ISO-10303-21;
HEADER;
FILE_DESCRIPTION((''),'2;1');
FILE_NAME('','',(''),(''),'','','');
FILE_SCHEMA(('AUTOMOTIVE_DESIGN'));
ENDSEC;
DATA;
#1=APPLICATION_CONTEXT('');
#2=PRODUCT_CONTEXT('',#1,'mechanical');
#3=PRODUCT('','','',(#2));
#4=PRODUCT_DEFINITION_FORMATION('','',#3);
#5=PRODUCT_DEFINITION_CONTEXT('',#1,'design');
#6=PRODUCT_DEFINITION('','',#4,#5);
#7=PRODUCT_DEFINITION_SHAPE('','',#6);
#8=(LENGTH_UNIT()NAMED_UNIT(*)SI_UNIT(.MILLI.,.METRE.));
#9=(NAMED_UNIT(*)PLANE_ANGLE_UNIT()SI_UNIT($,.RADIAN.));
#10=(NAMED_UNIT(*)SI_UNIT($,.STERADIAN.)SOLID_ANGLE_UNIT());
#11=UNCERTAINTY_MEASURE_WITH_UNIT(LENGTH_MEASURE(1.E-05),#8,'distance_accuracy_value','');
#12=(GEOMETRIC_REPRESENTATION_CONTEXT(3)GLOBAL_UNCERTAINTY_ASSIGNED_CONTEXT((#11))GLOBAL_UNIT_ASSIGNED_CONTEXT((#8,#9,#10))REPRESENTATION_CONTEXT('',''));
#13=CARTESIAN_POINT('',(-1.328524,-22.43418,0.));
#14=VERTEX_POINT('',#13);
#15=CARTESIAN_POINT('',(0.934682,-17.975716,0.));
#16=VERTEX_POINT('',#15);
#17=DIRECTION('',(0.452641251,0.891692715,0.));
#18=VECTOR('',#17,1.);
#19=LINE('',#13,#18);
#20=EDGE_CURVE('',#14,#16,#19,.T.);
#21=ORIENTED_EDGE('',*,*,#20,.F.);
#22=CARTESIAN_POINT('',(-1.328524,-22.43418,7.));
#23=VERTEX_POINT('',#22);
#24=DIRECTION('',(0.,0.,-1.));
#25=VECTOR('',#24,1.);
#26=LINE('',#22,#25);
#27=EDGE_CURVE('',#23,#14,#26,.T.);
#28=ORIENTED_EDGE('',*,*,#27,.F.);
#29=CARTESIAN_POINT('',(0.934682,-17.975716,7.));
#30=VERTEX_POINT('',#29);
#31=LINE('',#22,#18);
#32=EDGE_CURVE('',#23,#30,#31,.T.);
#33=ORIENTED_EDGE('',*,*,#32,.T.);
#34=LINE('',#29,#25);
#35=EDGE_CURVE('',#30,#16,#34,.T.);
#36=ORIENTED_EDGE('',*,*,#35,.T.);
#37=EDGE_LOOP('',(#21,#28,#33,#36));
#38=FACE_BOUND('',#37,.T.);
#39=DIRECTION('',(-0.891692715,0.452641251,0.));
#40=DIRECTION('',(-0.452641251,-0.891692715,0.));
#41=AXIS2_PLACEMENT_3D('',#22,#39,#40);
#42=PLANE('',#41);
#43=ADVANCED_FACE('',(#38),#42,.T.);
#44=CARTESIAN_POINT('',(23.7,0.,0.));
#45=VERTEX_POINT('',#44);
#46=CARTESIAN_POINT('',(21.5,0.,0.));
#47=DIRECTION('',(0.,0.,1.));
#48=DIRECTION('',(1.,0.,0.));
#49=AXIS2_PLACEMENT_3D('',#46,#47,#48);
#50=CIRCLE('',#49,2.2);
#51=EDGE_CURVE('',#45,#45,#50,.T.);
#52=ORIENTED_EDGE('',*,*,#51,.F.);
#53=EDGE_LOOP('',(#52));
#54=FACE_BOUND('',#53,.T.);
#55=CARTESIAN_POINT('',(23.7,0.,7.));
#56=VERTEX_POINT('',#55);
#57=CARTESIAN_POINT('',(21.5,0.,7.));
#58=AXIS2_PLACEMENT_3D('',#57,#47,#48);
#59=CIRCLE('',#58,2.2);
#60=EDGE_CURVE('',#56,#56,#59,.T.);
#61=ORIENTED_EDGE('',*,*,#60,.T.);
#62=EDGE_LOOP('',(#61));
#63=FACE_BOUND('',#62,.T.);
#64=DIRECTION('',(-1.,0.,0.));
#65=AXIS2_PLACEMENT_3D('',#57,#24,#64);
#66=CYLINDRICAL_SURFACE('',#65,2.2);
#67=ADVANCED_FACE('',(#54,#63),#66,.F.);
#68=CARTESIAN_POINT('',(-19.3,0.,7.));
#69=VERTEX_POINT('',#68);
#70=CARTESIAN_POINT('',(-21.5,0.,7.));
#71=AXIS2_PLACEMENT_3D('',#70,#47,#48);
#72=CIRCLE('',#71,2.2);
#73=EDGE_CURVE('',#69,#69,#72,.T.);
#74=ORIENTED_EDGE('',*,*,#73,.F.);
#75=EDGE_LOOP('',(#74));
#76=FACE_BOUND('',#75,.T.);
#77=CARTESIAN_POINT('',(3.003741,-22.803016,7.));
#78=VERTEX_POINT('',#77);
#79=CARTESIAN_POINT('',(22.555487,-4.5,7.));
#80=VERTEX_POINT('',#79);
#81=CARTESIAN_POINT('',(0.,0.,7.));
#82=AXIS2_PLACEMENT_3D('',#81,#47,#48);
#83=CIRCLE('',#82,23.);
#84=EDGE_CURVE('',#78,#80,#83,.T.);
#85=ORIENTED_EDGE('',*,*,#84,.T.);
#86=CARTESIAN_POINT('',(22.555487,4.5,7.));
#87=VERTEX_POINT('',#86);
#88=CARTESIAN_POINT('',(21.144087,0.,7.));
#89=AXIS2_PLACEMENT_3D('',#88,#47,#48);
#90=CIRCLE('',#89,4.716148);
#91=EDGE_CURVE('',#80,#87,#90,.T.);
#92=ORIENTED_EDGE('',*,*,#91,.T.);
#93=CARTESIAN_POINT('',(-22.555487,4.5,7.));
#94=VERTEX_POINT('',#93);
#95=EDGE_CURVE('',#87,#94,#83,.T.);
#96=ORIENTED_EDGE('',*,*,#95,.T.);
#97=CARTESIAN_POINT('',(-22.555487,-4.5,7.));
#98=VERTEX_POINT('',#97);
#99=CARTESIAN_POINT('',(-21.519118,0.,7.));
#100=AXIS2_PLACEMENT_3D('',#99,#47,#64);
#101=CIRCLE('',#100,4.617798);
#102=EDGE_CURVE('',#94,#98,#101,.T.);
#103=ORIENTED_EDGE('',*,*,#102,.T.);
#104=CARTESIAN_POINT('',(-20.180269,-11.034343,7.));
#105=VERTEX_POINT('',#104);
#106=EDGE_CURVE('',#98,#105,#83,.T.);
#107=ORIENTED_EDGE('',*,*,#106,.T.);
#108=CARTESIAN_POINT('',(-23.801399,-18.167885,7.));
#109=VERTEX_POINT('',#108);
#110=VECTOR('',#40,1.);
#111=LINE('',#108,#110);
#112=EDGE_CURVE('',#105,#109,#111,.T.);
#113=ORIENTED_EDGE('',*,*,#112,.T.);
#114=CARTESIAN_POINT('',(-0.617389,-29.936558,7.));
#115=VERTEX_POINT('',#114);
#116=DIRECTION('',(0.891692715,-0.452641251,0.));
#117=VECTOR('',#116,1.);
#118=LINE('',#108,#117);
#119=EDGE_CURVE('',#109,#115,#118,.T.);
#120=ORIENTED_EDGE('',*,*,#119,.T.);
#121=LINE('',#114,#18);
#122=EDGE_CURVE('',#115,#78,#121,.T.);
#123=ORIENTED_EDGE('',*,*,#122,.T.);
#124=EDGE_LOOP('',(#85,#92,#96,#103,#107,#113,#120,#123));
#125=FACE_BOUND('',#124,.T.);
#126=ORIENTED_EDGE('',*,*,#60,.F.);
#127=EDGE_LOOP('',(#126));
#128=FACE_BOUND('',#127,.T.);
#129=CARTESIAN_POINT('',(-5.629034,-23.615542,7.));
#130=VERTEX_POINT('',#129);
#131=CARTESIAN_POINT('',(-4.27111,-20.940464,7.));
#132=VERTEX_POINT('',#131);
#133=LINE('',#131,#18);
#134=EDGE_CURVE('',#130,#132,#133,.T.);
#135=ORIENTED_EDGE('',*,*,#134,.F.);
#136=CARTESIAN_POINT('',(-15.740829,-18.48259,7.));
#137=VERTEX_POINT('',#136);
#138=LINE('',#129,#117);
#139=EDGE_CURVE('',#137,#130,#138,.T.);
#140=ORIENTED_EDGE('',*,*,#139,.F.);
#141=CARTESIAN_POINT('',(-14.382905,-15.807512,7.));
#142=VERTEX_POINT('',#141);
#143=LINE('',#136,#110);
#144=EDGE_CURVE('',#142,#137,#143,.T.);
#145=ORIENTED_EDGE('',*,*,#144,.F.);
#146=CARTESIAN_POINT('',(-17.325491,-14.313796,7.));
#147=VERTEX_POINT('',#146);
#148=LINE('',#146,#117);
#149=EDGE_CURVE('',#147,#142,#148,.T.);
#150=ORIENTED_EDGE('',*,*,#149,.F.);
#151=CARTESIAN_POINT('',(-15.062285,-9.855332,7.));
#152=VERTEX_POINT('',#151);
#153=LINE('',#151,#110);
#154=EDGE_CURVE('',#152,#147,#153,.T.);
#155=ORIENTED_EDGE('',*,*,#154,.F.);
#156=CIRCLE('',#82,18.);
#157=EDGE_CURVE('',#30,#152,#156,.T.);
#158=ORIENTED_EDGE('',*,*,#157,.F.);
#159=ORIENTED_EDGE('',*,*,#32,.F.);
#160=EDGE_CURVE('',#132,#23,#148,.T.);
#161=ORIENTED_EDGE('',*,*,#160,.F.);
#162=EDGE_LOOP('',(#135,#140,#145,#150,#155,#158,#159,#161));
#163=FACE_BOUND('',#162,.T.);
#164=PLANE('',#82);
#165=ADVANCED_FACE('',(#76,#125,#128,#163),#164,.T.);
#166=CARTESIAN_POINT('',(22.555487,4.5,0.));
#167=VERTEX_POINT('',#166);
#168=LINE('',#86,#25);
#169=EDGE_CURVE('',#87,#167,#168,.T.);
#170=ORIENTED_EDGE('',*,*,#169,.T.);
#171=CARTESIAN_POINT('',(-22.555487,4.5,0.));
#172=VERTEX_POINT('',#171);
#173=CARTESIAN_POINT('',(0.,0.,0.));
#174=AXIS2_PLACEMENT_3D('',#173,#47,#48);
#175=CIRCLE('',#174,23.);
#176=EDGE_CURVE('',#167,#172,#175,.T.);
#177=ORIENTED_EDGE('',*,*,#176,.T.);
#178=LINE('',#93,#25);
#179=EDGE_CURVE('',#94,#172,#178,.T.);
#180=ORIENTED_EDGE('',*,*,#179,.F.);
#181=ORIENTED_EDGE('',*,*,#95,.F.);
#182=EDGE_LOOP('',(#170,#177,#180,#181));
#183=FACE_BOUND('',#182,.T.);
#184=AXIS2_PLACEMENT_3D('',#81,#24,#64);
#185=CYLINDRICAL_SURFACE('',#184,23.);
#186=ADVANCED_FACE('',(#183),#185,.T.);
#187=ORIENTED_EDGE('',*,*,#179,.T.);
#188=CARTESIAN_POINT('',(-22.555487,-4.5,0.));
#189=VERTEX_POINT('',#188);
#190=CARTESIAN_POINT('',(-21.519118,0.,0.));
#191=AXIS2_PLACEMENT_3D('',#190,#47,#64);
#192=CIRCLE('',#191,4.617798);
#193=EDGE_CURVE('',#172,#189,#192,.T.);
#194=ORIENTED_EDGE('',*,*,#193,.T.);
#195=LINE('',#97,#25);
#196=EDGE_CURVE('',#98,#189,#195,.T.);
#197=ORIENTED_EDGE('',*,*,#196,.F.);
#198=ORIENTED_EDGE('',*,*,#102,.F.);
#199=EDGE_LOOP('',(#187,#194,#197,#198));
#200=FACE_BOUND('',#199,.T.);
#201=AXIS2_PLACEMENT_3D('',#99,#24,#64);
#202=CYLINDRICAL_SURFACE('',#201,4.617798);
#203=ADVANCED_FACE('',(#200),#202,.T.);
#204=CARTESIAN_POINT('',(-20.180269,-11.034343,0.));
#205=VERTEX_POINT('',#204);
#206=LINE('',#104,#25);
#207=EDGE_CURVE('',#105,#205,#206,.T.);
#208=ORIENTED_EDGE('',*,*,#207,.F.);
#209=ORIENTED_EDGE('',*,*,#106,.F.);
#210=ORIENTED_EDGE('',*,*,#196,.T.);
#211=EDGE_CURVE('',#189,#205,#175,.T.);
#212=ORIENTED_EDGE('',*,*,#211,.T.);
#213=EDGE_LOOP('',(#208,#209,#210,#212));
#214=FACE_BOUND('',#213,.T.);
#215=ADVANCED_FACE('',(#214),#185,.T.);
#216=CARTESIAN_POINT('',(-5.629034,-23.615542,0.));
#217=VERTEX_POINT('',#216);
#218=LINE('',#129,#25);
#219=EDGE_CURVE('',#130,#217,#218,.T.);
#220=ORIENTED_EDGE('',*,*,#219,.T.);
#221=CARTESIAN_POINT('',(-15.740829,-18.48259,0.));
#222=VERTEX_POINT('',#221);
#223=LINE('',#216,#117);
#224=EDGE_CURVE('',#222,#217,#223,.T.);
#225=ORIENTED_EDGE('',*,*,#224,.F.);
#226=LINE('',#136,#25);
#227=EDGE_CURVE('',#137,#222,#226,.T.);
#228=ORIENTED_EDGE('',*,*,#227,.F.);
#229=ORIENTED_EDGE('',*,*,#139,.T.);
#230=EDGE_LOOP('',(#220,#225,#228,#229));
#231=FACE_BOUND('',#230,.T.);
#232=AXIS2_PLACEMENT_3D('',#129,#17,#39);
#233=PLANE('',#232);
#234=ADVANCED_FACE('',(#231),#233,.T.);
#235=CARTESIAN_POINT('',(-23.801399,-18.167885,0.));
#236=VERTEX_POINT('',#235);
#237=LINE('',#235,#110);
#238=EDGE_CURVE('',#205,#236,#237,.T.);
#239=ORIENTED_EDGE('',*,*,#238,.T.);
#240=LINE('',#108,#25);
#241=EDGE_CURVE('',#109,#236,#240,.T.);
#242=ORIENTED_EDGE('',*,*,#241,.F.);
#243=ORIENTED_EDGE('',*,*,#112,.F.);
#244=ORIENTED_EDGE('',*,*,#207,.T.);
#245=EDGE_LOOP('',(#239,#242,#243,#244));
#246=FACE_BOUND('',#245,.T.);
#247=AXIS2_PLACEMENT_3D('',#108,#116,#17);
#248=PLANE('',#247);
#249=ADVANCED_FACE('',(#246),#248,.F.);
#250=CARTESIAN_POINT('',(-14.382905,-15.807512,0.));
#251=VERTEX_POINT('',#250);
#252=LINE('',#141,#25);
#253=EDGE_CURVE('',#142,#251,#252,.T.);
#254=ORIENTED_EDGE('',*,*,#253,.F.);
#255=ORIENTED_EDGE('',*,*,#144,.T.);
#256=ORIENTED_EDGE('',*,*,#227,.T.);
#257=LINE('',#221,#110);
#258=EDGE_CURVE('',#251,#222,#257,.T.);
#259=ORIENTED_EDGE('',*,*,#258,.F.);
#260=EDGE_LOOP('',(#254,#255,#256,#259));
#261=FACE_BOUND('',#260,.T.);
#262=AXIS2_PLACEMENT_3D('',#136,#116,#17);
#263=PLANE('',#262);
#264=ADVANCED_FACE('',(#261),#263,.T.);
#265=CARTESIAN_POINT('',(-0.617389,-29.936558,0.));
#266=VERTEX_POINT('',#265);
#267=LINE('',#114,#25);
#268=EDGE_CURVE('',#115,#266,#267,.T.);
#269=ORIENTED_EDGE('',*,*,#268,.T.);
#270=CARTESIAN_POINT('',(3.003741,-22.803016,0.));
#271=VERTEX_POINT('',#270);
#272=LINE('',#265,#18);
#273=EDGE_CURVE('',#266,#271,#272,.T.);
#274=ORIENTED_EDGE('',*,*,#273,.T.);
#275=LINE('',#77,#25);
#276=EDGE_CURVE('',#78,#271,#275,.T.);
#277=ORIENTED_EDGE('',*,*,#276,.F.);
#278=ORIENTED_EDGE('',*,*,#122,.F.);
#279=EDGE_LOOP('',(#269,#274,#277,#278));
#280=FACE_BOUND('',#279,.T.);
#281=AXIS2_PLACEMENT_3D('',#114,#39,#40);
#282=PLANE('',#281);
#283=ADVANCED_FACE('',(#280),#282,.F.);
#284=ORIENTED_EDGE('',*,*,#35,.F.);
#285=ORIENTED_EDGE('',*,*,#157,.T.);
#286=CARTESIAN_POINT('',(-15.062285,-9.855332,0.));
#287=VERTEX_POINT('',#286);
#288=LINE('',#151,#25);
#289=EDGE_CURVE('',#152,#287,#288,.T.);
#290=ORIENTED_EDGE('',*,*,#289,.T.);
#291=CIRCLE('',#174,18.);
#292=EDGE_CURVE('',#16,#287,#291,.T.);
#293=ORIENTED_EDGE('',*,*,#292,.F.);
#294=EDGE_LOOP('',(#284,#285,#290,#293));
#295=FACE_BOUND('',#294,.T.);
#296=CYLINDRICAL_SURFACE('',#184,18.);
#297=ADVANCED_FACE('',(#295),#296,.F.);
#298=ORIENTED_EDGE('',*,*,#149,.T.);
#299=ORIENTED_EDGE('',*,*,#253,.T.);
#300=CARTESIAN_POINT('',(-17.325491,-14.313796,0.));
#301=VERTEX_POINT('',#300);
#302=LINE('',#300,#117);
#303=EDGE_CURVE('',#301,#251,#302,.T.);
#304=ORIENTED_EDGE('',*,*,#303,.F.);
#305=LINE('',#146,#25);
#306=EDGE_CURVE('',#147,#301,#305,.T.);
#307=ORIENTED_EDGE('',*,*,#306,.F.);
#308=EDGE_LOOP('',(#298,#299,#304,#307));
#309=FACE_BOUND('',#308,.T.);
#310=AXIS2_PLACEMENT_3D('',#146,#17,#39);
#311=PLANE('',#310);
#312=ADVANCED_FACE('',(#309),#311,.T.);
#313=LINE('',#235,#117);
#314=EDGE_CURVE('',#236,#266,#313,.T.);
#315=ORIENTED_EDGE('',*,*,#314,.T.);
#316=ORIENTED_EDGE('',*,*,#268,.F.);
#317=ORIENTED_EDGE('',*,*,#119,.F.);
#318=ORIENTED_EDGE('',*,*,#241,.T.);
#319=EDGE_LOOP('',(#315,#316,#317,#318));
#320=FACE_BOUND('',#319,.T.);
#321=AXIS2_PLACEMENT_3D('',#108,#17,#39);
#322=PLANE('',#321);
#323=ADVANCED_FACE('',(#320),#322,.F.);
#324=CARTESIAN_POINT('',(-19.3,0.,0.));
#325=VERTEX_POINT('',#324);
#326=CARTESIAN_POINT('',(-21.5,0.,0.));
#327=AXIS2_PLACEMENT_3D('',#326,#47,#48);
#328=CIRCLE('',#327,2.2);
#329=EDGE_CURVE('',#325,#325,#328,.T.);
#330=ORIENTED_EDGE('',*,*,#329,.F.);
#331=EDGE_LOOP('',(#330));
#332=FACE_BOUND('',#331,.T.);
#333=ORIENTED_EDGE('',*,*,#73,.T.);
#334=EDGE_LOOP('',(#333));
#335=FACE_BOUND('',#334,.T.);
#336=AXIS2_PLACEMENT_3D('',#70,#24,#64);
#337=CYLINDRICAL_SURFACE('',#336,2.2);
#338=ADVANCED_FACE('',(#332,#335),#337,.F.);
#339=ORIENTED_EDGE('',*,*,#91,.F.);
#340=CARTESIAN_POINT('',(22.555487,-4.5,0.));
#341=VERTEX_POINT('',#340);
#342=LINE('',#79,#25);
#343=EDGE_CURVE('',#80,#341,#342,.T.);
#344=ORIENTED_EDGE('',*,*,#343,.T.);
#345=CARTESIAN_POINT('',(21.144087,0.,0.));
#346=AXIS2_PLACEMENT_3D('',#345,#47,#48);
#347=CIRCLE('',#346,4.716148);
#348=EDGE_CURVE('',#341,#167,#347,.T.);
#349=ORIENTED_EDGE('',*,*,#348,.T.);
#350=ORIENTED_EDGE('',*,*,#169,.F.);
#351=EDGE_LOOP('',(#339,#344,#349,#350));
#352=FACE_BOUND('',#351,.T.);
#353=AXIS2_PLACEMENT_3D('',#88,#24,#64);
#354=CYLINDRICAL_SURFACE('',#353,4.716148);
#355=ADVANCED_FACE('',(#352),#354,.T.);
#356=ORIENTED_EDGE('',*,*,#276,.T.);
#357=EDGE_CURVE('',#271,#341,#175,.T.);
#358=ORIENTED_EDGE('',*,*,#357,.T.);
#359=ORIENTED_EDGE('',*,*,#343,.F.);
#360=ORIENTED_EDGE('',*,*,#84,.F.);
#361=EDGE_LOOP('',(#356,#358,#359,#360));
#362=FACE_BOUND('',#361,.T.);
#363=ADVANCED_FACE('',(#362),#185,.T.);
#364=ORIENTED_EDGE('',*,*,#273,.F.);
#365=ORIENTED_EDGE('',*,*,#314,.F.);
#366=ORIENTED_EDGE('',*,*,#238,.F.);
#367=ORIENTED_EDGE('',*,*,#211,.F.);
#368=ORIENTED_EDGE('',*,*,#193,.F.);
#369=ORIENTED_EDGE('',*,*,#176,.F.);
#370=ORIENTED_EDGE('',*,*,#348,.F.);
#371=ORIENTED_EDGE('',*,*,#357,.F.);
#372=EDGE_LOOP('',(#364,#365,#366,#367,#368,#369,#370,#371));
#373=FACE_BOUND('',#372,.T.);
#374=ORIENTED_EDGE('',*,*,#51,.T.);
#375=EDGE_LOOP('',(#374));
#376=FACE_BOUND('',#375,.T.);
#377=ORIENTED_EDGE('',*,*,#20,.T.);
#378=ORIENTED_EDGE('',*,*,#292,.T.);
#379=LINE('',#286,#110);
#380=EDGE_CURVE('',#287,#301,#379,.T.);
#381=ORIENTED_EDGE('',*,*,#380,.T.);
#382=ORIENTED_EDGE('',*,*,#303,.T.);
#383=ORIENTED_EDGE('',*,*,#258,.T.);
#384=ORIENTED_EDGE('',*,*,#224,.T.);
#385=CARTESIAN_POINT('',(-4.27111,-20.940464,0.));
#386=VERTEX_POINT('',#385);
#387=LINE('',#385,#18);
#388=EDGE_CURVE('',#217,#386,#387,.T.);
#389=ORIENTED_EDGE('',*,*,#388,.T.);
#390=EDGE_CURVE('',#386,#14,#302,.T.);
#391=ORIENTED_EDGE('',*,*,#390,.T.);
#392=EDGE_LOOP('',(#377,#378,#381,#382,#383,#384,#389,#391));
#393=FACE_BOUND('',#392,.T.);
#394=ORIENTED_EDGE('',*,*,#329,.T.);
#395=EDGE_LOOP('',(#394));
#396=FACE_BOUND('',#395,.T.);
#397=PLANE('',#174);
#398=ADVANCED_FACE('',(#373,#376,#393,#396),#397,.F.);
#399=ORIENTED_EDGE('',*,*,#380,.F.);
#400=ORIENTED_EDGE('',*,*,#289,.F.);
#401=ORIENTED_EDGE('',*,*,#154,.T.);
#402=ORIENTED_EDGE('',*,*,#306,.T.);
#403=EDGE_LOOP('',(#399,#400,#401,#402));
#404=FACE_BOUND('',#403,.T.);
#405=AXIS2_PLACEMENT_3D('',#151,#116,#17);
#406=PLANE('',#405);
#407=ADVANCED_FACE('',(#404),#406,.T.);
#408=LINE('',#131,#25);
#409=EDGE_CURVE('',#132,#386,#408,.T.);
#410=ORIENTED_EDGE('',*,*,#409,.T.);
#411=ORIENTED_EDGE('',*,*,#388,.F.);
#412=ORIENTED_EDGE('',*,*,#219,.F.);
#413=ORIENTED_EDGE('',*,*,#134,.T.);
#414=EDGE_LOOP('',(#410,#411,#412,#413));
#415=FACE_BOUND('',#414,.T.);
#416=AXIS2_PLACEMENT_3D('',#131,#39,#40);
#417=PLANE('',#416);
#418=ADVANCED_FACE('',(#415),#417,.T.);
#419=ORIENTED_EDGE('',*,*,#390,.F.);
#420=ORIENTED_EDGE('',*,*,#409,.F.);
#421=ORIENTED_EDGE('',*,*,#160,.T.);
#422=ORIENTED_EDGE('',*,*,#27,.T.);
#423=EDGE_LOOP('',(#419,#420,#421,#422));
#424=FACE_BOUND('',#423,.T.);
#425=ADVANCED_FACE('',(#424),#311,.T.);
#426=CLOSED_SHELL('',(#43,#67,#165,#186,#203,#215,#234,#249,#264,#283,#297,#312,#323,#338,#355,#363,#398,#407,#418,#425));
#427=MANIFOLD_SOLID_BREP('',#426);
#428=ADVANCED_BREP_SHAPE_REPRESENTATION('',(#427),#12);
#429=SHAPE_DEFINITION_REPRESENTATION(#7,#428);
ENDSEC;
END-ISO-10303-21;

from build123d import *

# Parameters (mm, degrees)
SKETCH1_R           = 23
SKETCH1_R_2         = 18
BOSS_EXTRUDE1_DEPTH = 7
BOSS_EXTRUDE2_DEPTH = 7
CUT_EXTRUDE1_DEPTH  = 7
BOSS_EXTRUDE3_DEPTH = 7
SKETCH7_R           = 2.2
CUT_EXTRUDE2_DEPTH  = 7
CUT_EXTRUDE3_DEPTH  = 7


with BuildPart() as part:
    # Sketch1 → Boss-Extrude1 (new body)
    with BuildSketch(Plane.XY):
        Circle(SKETCH1_R)
        Circle(SKETCH1_R_2, mode=Mode.SUBTRACT)
    extrude(amount=BOSS_EXTRUDE1_DEPTH)

    # Sketch3 → Boss-Extrude2 (add)
    with BuildSketch(Plane.XY):
        with BuildLine():
            Line((-23.80139919, -18.167885182), (-0.617388595, -29.936557696))
            Line((-0.617388595, -29.936557696), (3.003741409, -22.803015975))
            ThreePointArc((3.003741409, -22.803015975), (-10.410748762, -20.508932449), (-20.180269185, -11.034343461))
            Line((-20.180269185, -11.034343461), (-23.80139919, -18.167885182))
        make_face()
    extrude(amount=BOSS_EXTRUDE2_DEPTH)

    # Sketch5 → Cut-Extrude1 (cut)
    with BuildSketch(Plane.XY):
        with BuildLine():
            Line((-15.062285021, -9.855332057), (-17.325491273, -14.313795633))
            Line((-17.325491273, -14.313795633), (-1.328523963, -22.434179668))
            Line((-1.328523963, -22.434179668), (0.93468229, -17.975716092))
            ThreePointArc((0.93468229, -17.975716092), (-8.14754251, -16.050468873), (-15.062285021, -9.855332057))
        make_face()
    extrude(amount=CUT_EXTRUDE1_DEPTH, mode=Mode.SUBTRACT)

    # Sketch6 → Boss-Extrude3 (add)
    with BuildSketch(Plane.XY):
        with BuildLine():
            ThreePointArc((-22.555487137, -4.5), (-26.136916399, 0), (-22.555487137, 4.5))
            ThreePointArc((-22.555487137, 4.5), (-23, 0), (-22.555487137, -4.5))
        make_face()
        with BuildLine():
            ThreePointArc((22.555487137, -4.5), (25.860234666, 0), (22.555487137, 4.5))
            ThreePointArc((22.555487137, 4.5), (23, 0), (22.555487137, -4.5))
        make_face()
    extrude(amount=BOSS_EXTRUDE3_DEPTH)

    # Sketch7 → Cut-Extrude2 (cut)
    with BuildSketch(Plane.XY):
        with Locations((-21.5, 0)):
            Circle(SKETCH7_R)
        with Locations((21.5, 0)):
            Circle(SKETCH7_R)
    extrude(amount=CUT_EXTRUDE2_DEPTH, mode=Mode.SUBTRACT)

    # Sketch8 → Cut-Extrude3 (cut)
    with BuildSketch(Plane.XY):
        Polygon((-14.382905313, -15.80751176), (-4.271109923, -20.940463541), (-5.629033675, -23.615541687), (-15.740829065, -18.482589905), align=None)
    extrude(amount=CUT_EXTRUDE3_DEPTH, mode=Mode.SUBTRACT)


solid = part.part
